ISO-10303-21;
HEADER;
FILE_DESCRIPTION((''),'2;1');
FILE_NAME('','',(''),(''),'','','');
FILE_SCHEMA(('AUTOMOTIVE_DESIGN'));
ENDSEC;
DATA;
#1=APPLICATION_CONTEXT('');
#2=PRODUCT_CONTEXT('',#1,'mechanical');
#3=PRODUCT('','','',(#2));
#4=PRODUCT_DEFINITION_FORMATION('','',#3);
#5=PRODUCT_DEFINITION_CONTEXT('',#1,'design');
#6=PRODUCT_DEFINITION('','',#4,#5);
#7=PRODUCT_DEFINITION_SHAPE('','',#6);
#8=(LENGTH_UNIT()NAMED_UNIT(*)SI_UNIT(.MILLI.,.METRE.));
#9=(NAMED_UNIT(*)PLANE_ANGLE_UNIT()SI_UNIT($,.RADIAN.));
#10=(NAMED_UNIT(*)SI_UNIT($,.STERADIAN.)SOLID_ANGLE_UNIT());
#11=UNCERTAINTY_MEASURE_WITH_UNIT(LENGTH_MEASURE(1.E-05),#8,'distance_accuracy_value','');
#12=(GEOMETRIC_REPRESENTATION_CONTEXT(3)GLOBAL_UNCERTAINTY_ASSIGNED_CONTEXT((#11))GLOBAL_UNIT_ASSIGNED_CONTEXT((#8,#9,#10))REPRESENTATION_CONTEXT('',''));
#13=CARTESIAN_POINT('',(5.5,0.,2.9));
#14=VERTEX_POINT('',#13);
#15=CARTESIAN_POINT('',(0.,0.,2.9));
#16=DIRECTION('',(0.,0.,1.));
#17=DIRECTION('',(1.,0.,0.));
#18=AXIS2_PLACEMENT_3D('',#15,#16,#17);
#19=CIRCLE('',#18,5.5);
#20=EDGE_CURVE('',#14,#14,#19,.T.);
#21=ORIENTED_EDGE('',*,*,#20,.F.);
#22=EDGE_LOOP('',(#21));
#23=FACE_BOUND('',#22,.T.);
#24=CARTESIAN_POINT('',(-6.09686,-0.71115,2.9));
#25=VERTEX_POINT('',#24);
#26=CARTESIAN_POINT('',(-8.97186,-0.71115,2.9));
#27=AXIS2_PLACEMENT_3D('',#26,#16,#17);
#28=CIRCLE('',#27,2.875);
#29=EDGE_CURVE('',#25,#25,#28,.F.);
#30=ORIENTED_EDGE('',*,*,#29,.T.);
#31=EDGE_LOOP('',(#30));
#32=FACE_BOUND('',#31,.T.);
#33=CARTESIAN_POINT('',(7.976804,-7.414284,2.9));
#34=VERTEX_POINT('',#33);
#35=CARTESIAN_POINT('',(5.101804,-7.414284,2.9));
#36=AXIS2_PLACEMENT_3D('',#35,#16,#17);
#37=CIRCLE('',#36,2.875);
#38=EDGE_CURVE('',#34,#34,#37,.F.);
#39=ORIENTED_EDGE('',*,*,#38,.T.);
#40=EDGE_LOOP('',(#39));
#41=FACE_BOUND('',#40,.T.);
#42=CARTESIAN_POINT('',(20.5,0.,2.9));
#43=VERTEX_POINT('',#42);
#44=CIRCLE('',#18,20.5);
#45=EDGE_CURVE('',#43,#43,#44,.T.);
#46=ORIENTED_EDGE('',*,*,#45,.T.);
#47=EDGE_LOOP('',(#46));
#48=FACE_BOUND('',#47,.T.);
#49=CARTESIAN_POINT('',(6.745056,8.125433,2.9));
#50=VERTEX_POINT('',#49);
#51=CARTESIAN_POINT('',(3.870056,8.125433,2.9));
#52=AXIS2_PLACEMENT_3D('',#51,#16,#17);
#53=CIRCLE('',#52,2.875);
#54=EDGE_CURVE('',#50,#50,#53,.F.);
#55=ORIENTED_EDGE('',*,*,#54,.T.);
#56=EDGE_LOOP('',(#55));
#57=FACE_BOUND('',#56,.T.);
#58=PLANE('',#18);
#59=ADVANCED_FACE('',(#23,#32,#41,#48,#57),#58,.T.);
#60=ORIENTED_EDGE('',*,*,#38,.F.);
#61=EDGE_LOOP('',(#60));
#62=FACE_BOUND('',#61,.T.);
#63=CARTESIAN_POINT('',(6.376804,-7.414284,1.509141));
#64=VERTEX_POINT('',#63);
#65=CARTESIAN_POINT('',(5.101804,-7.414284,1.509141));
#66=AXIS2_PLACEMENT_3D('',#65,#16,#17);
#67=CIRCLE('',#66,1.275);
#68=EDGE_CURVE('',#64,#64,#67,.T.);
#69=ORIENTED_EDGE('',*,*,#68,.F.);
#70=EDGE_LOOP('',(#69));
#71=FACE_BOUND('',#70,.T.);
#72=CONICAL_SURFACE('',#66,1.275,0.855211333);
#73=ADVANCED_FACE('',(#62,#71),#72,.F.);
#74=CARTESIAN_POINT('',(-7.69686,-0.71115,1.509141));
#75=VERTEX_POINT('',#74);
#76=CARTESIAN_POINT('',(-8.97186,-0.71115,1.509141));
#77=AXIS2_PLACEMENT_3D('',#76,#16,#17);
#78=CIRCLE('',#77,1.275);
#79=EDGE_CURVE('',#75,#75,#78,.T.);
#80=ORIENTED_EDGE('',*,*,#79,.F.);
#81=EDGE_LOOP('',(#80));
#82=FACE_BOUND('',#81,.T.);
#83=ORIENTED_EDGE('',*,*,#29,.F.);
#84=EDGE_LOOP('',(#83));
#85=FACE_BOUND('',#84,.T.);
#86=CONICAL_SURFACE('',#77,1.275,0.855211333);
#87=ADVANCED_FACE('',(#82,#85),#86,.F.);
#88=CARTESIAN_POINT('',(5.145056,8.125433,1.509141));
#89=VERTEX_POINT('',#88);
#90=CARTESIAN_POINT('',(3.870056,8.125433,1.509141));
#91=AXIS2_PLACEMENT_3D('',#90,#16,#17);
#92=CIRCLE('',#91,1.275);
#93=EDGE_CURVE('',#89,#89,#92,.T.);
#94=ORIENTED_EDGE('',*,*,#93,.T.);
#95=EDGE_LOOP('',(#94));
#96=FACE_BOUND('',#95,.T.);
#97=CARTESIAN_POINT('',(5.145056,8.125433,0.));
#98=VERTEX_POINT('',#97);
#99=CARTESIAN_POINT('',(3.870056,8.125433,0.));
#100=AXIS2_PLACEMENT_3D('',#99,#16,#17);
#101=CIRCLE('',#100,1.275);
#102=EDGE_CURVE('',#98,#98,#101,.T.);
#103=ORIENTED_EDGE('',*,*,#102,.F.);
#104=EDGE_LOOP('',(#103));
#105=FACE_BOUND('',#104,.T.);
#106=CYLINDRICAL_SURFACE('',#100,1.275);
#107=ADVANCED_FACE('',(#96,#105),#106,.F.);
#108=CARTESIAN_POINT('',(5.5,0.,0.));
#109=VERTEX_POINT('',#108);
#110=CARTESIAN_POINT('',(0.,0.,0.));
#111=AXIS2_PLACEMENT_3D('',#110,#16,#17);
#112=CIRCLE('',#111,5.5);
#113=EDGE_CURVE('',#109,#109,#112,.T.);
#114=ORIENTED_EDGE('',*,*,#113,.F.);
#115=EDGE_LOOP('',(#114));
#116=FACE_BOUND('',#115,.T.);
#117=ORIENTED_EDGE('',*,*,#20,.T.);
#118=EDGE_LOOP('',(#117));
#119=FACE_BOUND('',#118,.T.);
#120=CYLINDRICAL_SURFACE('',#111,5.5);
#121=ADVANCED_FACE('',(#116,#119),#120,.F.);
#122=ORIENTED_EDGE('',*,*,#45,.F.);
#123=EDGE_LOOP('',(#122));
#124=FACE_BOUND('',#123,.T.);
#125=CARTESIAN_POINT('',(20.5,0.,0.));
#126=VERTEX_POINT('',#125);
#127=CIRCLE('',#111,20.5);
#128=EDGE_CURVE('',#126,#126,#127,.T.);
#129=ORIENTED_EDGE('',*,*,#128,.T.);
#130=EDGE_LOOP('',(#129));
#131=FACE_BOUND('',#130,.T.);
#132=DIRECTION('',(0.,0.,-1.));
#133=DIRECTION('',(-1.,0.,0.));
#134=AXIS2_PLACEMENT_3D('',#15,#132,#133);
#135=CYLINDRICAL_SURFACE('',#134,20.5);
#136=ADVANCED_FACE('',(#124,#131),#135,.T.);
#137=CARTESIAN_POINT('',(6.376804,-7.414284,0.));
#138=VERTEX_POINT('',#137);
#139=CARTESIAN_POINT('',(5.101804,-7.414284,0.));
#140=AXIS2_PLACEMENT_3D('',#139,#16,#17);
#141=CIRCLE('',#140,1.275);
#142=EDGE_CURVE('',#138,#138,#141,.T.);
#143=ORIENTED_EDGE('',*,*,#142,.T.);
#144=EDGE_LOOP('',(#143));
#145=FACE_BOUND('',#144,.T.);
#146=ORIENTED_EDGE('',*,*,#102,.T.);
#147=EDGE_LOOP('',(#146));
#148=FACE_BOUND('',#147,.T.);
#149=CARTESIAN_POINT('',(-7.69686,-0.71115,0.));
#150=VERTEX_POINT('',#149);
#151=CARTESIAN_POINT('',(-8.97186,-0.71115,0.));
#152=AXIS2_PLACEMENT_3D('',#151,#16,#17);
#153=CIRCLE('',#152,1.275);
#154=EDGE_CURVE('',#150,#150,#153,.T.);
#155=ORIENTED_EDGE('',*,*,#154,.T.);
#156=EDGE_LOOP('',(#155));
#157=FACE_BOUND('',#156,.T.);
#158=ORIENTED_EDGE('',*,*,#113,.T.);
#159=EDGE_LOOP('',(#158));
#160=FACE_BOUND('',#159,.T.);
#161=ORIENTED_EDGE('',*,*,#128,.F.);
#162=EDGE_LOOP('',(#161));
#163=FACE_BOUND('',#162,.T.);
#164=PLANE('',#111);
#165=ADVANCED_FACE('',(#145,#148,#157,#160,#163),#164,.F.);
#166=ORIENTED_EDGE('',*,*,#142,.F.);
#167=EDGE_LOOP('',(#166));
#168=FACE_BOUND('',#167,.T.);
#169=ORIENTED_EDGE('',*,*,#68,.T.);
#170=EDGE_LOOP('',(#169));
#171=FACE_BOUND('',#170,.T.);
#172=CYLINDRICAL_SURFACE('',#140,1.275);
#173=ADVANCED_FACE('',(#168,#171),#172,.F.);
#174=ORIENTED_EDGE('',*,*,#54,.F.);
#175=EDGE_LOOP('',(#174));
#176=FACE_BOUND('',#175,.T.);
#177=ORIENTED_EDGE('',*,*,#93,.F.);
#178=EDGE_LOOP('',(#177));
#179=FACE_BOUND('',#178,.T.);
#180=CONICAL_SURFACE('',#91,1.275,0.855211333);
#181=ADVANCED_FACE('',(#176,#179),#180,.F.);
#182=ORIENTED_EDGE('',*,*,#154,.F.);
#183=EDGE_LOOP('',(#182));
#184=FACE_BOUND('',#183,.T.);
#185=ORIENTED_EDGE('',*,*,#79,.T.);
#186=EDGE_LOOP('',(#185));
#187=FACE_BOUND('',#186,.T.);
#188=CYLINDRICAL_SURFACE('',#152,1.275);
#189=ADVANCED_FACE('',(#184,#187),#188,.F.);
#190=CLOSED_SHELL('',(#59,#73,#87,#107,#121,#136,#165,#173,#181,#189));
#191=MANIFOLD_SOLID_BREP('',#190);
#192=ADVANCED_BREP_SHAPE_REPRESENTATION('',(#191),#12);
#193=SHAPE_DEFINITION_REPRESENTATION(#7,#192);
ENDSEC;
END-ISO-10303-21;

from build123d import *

# Parameters (mm, degrees)
SKETCH1_R           = 20.5
BOSS_EXTRUDE1_DEPTH = 2.9
SKETCH2_R           = 1.275
CUT_EXTRUDE1_DEPTH  = 30.136060132
CHAMFER1_SIZE       = 1.6
CHAMFER1_SIZE2      = 1.390858781
SKETCH3_R           = 5.5
CUT_EXTRUDE2_DEPTH  = 30.136060132


with BuildPart() as part:
    # Sketch1 → Boss-Extrude1 (new body)
    with BuildSketch(Plane.XY):
        Circle(SKETCH1_R)
    extrude(amount=BOSS_EXTRUDE1_DEPTH)

    # Sketch2 → Cut-Extrude1 (cut, through all)
    with BuildSketch(Plane.XY.offset(2.9)):
        with Locations((-8.971859678, -0.711149714)):
            Circle(SKETCH2_R)
        with Locations((5.101803557, -7.414283544)):
            Circle(SKETCH2_R)
        with Locations((3.870056121, 8.125433257)):
            Circle(SKETCH2_R)
    extrude(amount=-CUT_EXTRUDE1_DEPTH, mode=Mode.SUBTRACT)

    # Chamfer1
    chamfer1_edges = [part.edges().sort_by_distance(p)[0] for p in [
        (3.826803557, -7.414283544, 2.9),
        (2.595056121, 8.125433257, 2.9),
        (-10.246859678, -0.711149714, 2.9),
    ]]
    chamfer1_side = [part.faces().sort_by_distance(p)[0] for p in [
        (0, 0, 2.9),
    ]]
    chamfer(chamfer1_edges, length=CHAMFER1_SIZE, length2=CHAMFER1_SIZE2, reference=chamfer1_side[0])

    # Sketch3 → Cut-Extrude2 (cut, through all)
    with BuildSketch(Plane.XY.offset(2.9)):
        Circle(SKETCH3_R)
    extrude(amount=-CUT_EXTRUDE2_DEPTH, mode=Mode.SUBTRACT)


solid = part.part
